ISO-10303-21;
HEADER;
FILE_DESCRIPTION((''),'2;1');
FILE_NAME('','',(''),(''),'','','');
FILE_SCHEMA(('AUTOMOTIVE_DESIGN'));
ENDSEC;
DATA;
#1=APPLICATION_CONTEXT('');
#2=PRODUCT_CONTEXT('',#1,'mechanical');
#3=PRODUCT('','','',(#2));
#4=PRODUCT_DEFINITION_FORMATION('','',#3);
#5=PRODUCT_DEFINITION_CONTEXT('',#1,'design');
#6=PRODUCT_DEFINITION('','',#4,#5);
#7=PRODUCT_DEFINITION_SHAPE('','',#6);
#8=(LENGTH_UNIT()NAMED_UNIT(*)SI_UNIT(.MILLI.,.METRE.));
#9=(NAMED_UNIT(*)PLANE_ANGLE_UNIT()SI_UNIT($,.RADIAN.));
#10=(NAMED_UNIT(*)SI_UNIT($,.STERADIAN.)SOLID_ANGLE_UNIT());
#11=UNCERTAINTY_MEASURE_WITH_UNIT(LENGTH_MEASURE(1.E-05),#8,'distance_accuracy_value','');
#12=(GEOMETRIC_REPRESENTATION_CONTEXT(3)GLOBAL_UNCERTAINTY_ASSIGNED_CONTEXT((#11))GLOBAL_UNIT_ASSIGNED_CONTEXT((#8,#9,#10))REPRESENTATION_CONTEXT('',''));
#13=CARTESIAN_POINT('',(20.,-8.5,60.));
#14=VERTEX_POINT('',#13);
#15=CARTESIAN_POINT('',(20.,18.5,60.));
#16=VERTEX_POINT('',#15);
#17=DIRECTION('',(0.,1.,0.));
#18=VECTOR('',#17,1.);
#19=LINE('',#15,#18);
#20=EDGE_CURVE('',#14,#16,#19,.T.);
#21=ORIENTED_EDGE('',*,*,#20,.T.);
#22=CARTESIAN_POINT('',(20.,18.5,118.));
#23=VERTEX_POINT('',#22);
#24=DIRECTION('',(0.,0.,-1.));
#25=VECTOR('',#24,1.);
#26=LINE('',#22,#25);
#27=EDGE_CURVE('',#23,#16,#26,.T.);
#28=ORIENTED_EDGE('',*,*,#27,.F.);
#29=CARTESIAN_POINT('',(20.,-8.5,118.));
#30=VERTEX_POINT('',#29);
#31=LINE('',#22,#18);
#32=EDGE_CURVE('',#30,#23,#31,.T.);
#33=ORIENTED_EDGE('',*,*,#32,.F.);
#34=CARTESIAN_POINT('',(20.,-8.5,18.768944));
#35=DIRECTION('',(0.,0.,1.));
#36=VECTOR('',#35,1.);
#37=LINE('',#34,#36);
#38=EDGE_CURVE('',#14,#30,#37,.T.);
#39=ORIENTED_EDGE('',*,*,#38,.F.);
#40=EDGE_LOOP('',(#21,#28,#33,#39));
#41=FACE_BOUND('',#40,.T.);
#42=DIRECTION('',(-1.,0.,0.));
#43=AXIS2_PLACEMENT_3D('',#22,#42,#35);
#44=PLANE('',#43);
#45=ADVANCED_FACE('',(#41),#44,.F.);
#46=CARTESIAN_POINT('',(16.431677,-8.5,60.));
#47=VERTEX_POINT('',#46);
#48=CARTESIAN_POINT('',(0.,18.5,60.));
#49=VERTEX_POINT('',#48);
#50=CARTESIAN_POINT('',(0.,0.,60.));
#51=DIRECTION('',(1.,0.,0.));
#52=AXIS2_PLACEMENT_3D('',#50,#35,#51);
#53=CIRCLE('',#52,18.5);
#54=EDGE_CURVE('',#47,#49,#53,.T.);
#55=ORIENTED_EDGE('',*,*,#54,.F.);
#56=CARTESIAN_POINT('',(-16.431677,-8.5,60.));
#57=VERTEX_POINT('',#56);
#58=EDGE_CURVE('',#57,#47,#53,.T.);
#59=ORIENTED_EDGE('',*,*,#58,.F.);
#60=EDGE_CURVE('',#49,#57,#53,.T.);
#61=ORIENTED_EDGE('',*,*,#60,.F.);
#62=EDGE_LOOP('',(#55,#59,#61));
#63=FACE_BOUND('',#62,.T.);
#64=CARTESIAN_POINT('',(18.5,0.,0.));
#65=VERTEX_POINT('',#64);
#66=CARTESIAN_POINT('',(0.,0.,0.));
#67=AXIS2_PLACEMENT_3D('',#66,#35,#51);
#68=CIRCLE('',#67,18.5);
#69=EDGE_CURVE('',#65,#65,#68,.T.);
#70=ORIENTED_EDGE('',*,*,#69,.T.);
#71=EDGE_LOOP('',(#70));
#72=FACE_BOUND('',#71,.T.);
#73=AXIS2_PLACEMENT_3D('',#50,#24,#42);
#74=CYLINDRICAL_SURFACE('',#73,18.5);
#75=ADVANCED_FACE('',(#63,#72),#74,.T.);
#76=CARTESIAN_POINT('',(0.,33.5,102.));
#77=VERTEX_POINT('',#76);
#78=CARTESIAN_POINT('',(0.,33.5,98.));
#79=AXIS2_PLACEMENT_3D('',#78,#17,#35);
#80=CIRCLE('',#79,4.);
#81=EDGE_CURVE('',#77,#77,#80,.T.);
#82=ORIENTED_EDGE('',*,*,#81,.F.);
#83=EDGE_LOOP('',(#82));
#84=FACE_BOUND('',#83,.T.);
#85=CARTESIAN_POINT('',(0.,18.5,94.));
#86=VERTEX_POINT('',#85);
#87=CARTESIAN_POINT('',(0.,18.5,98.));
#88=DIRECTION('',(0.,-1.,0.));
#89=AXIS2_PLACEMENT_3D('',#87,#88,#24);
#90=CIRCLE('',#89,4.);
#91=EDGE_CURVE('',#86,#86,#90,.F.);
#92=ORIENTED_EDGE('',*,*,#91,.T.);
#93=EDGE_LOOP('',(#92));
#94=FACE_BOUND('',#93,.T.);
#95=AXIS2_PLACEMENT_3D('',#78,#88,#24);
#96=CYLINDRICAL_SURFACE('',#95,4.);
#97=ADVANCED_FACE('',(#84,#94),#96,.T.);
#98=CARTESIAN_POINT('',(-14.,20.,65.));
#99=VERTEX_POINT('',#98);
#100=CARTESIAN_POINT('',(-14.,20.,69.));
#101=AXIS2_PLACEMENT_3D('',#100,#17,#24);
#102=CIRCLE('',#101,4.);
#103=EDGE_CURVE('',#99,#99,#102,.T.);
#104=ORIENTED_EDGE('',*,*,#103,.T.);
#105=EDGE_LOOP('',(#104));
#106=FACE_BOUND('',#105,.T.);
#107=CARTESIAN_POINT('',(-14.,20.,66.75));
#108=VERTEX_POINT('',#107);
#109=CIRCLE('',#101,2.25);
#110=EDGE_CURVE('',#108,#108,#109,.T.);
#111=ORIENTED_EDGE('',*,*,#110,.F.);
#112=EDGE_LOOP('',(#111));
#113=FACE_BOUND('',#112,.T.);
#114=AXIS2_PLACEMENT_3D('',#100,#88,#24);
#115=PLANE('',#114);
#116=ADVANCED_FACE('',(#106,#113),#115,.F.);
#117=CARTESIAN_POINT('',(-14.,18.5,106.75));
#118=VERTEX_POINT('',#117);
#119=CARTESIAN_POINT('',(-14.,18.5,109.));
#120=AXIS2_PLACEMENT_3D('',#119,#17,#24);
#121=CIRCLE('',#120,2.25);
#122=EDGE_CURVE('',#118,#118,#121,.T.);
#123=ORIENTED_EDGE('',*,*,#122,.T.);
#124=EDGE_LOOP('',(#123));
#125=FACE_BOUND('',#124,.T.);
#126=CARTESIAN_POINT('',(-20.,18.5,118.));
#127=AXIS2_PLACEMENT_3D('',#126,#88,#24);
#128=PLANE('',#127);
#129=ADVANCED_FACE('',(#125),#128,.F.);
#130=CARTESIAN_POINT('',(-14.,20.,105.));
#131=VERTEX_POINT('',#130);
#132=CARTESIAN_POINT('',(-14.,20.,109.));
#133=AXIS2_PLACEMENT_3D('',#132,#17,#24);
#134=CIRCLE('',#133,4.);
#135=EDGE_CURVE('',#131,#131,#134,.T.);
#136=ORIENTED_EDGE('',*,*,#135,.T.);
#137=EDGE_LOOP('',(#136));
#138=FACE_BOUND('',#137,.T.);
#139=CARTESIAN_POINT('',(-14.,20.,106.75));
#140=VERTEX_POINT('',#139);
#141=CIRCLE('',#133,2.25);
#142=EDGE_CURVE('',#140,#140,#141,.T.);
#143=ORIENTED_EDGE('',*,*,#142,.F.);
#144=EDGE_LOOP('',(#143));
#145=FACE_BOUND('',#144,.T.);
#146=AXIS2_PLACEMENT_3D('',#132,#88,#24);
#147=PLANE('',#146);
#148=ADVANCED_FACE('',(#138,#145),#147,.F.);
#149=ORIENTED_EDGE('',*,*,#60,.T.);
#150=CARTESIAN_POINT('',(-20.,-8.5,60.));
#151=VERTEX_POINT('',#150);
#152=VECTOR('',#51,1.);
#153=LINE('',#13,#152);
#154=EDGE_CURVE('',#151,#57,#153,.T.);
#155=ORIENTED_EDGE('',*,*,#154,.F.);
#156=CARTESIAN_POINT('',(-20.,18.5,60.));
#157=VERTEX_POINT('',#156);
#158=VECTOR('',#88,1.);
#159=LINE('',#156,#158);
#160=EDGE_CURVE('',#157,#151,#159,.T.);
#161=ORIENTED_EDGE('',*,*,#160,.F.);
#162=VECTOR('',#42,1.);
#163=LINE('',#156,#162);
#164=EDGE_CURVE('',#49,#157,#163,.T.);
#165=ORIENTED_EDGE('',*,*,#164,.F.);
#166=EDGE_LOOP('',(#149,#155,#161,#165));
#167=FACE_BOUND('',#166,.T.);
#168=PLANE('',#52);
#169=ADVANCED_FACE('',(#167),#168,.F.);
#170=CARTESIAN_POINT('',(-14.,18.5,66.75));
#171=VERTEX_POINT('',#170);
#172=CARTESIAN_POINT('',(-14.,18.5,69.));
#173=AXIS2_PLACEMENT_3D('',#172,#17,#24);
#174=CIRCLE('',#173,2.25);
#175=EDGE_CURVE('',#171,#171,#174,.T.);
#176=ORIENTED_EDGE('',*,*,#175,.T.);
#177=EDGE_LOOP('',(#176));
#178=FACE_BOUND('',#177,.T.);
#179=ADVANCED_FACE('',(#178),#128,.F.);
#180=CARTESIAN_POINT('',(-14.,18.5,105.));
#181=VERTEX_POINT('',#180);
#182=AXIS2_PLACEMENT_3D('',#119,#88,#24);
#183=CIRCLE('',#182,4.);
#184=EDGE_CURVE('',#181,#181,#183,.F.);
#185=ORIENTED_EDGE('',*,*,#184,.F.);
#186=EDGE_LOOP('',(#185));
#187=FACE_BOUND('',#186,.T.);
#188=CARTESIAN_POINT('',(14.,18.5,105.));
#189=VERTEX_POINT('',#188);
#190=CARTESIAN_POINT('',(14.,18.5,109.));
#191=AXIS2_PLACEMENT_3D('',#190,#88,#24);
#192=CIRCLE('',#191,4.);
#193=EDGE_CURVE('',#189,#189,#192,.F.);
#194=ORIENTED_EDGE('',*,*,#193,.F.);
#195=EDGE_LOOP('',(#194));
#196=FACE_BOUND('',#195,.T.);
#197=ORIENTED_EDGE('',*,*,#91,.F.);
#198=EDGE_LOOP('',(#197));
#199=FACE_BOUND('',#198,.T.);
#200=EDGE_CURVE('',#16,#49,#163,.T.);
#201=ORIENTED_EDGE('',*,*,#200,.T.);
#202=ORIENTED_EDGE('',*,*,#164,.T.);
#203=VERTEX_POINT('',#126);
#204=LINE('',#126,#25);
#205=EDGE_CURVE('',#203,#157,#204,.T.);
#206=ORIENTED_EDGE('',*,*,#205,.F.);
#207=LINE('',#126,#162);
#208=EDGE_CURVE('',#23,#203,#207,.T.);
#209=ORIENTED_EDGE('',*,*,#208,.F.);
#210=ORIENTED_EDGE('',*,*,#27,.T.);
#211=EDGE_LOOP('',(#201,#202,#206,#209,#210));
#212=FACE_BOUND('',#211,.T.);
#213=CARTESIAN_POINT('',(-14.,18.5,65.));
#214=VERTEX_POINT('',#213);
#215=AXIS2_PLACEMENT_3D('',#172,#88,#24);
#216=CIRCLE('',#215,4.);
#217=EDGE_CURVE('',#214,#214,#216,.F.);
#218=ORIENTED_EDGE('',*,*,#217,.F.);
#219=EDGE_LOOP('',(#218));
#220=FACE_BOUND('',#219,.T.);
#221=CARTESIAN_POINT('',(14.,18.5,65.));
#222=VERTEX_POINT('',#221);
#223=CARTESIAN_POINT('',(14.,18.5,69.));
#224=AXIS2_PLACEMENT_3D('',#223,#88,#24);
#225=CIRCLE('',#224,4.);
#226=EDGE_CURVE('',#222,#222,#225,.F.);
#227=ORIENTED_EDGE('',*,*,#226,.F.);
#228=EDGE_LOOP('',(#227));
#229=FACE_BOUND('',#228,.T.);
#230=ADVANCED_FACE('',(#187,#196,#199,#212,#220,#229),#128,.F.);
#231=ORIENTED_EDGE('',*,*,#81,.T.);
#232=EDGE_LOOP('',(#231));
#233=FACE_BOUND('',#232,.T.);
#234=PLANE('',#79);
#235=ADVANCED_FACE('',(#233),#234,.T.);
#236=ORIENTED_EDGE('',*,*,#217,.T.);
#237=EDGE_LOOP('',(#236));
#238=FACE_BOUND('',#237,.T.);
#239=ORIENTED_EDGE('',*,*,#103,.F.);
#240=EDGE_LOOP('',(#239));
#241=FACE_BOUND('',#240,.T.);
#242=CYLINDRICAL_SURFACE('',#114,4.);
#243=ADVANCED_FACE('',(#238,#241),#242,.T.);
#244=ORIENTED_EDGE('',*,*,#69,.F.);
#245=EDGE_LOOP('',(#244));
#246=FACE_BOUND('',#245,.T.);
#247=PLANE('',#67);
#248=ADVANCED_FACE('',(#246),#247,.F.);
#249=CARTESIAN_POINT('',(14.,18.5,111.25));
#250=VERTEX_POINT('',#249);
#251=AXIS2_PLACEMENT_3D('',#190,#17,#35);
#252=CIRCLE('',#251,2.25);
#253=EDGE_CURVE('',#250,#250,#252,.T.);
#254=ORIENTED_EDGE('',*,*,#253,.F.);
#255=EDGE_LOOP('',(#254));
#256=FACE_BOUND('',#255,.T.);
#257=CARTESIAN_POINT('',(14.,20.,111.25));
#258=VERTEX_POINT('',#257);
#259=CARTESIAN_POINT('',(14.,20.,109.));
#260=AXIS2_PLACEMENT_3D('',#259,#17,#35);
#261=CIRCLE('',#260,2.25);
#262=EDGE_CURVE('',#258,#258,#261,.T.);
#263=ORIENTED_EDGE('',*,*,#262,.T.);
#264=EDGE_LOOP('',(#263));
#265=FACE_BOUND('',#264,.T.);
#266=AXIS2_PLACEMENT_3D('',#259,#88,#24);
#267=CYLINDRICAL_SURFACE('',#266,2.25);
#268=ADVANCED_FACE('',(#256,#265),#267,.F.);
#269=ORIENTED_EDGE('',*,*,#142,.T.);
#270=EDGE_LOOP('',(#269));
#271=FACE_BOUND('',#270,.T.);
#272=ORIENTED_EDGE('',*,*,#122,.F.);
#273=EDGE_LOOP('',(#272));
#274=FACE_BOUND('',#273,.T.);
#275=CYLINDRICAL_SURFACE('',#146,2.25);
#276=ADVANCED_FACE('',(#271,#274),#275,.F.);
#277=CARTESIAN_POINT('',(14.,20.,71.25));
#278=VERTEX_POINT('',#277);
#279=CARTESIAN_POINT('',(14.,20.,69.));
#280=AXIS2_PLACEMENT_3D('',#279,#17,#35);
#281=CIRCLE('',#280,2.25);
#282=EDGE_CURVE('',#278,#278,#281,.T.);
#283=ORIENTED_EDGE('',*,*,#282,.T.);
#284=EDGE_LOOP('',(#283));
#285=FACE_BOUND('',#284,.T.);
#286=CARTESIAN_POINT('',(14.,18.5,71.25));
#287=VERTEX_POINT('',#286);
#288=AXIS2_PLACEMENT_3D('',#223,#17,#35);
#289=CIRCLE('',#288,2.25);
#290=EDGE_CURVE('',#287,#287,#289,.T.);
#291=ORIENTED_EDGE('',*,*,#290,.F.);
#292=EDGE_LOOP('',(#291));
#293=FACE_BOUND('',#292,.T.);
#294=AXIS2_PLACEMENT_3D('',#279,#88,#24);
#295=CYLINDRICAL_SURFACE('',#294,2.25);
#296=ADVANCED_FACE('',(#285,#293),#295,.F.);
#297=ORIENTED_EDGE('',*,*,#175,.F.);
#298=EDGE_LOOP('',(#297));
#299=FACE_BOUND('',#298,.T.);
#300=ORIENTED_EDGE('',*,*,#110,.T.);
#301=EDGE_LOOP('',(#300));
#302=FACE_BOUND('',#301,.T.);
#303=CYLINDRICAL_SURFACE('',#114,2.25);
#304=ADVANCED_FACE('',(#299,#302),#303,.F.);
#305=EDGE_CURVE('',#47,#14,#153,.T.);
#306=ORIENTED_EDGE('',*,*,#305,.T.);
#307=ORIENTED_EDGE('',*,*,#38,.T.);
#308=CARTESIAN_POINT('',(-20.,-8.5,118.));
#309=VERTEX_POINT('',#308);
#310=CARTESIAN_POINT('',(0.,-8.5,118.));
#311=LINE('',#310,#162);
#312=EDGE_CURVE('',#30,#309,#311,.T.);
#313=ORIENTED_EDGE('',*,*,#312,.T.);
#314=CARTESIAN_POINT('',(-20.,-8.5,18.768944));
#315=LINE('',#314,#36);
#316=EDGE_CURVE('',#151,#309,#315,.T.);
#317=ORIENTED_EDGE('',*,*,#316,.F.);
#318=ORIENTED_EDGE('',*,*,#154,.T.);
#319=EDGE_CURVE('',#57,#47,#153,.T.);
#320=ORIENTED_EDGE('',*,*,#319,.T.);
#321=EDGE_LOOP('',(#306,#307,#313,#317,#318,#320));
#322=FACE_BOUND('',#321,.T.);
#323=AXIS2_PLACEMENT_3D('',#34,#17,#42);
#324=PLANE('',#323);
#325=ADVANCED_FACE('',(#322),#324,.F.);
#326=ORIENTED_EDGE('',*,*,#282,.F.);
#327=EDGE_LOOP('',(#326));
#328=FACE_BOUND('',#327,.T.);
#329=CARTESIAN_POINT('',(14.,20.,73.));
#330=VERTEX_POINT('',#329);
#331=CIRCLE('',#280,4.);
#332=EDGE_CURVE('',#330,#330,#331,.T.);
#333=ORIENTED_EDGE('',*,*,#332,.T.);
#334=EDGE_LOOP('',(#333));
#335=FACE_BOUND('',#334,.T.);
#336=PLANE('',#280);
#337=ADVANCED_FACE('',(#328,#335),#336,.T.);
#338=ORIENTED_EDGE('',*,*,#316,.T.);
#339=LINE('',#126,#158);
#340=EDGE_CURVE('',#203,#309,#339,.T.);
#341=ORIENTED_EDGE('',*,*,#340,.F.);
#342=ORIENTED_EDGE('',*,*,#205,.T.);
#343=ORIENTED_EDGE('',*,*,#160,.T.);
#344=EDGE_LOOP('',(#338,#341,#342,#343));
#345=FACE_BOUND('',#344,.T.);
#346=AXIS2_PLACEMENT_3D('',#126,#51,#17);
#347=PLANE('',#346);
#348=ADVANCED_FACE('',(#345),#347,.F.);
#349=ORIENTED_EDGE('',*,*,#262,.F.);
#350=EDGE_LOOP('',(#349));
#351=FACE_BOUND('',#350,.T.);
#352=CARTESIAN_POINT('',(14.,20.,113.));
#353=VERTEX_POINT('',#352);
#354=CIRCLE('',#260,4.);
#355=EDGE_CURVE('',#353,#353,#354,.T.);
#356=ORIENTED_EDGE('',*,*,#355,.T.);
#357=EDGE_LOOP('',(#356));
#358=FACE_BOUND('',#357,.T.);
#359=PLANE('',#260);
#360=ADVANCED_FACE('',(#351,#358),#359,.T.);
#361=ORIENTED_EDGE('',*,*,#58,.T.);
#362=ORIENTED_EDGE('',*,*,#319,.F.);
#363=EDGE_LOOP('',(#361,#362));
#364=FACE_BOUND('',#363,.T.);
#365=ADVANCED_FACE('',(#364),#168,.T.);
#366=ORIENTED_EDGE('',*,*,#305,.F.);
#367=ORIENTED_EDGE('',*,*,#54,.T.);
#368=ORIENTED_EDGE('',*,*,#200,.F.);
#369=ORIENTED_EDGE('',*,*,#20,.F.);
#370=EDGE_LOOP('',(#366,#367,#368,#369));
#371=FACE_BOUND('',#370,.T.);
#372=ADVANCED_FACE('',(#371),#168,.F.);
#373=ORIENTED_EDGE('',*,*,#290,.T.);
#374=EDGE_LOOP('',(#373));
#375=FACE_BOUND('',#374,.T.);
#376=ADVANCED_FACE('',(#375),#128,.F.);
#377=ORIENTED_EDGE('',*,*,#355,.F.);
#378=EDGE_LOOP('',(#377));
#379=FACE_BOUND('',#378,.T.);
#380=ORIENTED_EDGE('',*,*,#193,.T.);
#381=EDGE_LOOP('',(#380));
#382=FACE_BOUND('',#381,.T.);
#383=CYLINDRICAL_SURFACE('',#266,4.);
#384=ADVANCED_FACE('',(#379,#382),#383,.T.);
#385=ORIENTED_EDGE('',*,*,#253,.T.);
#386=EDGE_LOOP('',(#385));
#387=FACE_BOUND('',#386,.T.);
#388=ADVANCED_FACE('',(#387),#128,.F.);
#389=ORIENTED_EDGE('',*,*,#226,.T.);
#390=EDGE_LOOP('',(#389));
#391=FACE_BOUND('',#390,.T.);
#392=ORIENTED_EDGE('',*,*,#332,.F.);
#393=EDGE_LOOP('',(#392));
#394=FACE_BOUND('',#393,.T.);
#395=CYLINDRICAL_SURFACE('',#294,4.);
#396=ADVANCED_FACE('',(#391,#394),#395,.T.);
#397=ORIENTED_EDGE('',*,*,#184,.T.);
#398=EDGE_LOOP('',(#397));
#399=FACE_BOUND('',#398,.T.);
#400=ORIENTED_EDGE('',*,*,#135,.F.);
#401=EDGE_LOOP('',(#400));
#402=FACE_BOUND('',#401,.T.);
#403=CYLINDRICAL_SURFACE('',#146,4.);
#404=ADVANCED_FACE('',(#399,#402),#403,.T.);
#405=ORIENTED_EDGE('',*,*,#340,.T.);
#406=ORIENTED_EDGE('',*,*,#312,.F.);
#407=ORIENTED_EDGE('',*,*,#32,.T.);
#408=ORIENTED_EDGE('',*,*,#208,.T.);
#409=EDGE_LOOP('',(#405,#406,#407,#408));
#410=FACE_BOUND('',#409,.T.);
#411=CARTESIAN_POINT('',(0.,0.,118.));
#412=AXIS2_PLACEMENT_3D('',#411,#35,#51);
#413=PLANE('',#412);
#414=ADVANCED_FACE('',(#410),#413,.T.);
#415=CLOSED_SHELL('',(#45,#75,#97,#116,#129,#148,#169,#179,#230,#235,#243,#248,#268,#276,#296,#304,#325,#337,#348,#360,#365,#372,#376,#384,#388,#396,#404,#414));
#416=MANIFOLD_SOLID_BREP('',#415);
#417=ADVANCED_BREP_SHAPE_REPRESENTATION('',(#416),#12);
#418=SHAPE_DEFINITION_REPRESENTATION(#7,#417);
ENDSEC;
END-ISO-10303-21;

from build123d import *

# Parameters (mm, degrees)
SKETCH1_R               = 18.5
BOSS_EXTRUDE1_DEPTH     = 60
SKETCH2_W               = 40
SKETCH2_H               = 37
BOSS_EXTRUDE2_DEPTH     = 58
SKETCH3_R               = 4
BOSS_EXTRUDE3_DEPTH     = 15
CUT_EXTRUDE1_DEPTH      = 125.282943319
CUT_EXTRUDE1_DEPTH_BACK = 58
SKETCH4_W               = 40
SKETCH4_H               = 10
SKETCH5_R               = 4
SKETCH5_R_2             = 2.25
BOSS_EXTRUDE4_DEPTH     = 1.5


with BuildPart() as part:
    # Sketch1 → Boss-Extrude1 (new body)
    with BuildSketch(Plane.XY):
        Circle(SKETCH1_R)
    extrude(amount=BOSS_EXTRUDE1_DEPTH)

    # Sketch2 → Boss-Extrude2 (add)
    with BuildSketch(Plane.XY.offset(60)):
        Rectangle(SKETCH2_W, SKETCH2_H)
    extrude(amount=BOSS_EXTRUDE2_DEPTH)

    # Sketch3 → Boss-Extrude3 (add)
    with BuildSketch(Plane(origin=(0, 18.5, 0), x_dir=(1, 0, 0), z_dir=(0, 1, 0))):
        with Locations(Location((0, -98, 0), (0, 0, 90))):
            Circle(SKETCH3_R)
    extrude(amount=BOSS_EXTRUDE3_DEPTH)

    # Sketch4 → Cut-Extrude1 (cut, two sides: drawn at the far end of the back side and taken through both)
    with BuildSketch(Plane.XY.offset(118).offset(-CUT_EXTRUDE1_DEPTH_BACK)):
        with Locations((0, -13.5)):
            Rectangle(SKETCH4_W, SKETCH4_H)
    extrude(amount=CUT_EXTRUDE1_DEPTH + CUT_EXTRUDE1_DEPTH_BACK, mode=Mode.SUBTRACT)

    # Sketch5 → Boss-Extrude4 (add)
    # profile 1 of 4: a face of its own
    with BuildSketch(Plane(origin=(0, 18.5, 0), x_dir=(1, 0, 0), z_dir=(0, 1, 0))):
        with Locations(Location((14, -69, 0), (0, 0, 90))):
            Circle(SKETCH5_R)
        with Locations(Location((14, -69, 0), (0, 0, 270))):
            Circle(SKETCH5_R_2, mode=Mode.SUBTRACT)
    # profile 2 of 4: a face of its own
    with BuildSketch(Plane(origin=(0, 18.5, 0), x_dir=(1, 0, 0), z_dir=(0, 1, 0))):
        with Locations(Location((14, -109, 0), (0, 0, 90))):
            Circle(SKETCH5_R)
        with Locations(Location((14, -109, 0), (0, 0, 270))):
            Circle(SKETCH5_R_2, mode=Mode.SUBTRACT)
    # profile 3 of 4: a face of its own
    with BuildSketch(Plane(origin=(0, 18.5, 0), x_dir=(1, 0, 0), z_dir=(0, 1, 0))):
        with Locations(Location((-14, -109, 0), (0, 0, 90))):
            Circle(SKETCH5_R)
        with Locations(Location((-14, -109, 0), (0, 0, 90))):
            Circle(SKETCH5_R_2, mode=Mode.SUBTRACT)
    # profile 4 of 4: a face of its own
    with BuildSketch(Plane(origin=(0, 18.5, 0), x_dir=(1, 0, 0), z_dir=(0, 1, 0))):
        with Locations(Location((-14, -69, 0), (0, 0, 90))):
            Circle(SKETCH5_R)
        with Locations(Location((-14, -69, 0), (0, 0, 90))):
            Circle(SKETCH5_R_2, mode=Mode.SUBTRACT)
    extrude(amount=BOSS_EXTRUDE4_DEPTH)


solid = part.part
